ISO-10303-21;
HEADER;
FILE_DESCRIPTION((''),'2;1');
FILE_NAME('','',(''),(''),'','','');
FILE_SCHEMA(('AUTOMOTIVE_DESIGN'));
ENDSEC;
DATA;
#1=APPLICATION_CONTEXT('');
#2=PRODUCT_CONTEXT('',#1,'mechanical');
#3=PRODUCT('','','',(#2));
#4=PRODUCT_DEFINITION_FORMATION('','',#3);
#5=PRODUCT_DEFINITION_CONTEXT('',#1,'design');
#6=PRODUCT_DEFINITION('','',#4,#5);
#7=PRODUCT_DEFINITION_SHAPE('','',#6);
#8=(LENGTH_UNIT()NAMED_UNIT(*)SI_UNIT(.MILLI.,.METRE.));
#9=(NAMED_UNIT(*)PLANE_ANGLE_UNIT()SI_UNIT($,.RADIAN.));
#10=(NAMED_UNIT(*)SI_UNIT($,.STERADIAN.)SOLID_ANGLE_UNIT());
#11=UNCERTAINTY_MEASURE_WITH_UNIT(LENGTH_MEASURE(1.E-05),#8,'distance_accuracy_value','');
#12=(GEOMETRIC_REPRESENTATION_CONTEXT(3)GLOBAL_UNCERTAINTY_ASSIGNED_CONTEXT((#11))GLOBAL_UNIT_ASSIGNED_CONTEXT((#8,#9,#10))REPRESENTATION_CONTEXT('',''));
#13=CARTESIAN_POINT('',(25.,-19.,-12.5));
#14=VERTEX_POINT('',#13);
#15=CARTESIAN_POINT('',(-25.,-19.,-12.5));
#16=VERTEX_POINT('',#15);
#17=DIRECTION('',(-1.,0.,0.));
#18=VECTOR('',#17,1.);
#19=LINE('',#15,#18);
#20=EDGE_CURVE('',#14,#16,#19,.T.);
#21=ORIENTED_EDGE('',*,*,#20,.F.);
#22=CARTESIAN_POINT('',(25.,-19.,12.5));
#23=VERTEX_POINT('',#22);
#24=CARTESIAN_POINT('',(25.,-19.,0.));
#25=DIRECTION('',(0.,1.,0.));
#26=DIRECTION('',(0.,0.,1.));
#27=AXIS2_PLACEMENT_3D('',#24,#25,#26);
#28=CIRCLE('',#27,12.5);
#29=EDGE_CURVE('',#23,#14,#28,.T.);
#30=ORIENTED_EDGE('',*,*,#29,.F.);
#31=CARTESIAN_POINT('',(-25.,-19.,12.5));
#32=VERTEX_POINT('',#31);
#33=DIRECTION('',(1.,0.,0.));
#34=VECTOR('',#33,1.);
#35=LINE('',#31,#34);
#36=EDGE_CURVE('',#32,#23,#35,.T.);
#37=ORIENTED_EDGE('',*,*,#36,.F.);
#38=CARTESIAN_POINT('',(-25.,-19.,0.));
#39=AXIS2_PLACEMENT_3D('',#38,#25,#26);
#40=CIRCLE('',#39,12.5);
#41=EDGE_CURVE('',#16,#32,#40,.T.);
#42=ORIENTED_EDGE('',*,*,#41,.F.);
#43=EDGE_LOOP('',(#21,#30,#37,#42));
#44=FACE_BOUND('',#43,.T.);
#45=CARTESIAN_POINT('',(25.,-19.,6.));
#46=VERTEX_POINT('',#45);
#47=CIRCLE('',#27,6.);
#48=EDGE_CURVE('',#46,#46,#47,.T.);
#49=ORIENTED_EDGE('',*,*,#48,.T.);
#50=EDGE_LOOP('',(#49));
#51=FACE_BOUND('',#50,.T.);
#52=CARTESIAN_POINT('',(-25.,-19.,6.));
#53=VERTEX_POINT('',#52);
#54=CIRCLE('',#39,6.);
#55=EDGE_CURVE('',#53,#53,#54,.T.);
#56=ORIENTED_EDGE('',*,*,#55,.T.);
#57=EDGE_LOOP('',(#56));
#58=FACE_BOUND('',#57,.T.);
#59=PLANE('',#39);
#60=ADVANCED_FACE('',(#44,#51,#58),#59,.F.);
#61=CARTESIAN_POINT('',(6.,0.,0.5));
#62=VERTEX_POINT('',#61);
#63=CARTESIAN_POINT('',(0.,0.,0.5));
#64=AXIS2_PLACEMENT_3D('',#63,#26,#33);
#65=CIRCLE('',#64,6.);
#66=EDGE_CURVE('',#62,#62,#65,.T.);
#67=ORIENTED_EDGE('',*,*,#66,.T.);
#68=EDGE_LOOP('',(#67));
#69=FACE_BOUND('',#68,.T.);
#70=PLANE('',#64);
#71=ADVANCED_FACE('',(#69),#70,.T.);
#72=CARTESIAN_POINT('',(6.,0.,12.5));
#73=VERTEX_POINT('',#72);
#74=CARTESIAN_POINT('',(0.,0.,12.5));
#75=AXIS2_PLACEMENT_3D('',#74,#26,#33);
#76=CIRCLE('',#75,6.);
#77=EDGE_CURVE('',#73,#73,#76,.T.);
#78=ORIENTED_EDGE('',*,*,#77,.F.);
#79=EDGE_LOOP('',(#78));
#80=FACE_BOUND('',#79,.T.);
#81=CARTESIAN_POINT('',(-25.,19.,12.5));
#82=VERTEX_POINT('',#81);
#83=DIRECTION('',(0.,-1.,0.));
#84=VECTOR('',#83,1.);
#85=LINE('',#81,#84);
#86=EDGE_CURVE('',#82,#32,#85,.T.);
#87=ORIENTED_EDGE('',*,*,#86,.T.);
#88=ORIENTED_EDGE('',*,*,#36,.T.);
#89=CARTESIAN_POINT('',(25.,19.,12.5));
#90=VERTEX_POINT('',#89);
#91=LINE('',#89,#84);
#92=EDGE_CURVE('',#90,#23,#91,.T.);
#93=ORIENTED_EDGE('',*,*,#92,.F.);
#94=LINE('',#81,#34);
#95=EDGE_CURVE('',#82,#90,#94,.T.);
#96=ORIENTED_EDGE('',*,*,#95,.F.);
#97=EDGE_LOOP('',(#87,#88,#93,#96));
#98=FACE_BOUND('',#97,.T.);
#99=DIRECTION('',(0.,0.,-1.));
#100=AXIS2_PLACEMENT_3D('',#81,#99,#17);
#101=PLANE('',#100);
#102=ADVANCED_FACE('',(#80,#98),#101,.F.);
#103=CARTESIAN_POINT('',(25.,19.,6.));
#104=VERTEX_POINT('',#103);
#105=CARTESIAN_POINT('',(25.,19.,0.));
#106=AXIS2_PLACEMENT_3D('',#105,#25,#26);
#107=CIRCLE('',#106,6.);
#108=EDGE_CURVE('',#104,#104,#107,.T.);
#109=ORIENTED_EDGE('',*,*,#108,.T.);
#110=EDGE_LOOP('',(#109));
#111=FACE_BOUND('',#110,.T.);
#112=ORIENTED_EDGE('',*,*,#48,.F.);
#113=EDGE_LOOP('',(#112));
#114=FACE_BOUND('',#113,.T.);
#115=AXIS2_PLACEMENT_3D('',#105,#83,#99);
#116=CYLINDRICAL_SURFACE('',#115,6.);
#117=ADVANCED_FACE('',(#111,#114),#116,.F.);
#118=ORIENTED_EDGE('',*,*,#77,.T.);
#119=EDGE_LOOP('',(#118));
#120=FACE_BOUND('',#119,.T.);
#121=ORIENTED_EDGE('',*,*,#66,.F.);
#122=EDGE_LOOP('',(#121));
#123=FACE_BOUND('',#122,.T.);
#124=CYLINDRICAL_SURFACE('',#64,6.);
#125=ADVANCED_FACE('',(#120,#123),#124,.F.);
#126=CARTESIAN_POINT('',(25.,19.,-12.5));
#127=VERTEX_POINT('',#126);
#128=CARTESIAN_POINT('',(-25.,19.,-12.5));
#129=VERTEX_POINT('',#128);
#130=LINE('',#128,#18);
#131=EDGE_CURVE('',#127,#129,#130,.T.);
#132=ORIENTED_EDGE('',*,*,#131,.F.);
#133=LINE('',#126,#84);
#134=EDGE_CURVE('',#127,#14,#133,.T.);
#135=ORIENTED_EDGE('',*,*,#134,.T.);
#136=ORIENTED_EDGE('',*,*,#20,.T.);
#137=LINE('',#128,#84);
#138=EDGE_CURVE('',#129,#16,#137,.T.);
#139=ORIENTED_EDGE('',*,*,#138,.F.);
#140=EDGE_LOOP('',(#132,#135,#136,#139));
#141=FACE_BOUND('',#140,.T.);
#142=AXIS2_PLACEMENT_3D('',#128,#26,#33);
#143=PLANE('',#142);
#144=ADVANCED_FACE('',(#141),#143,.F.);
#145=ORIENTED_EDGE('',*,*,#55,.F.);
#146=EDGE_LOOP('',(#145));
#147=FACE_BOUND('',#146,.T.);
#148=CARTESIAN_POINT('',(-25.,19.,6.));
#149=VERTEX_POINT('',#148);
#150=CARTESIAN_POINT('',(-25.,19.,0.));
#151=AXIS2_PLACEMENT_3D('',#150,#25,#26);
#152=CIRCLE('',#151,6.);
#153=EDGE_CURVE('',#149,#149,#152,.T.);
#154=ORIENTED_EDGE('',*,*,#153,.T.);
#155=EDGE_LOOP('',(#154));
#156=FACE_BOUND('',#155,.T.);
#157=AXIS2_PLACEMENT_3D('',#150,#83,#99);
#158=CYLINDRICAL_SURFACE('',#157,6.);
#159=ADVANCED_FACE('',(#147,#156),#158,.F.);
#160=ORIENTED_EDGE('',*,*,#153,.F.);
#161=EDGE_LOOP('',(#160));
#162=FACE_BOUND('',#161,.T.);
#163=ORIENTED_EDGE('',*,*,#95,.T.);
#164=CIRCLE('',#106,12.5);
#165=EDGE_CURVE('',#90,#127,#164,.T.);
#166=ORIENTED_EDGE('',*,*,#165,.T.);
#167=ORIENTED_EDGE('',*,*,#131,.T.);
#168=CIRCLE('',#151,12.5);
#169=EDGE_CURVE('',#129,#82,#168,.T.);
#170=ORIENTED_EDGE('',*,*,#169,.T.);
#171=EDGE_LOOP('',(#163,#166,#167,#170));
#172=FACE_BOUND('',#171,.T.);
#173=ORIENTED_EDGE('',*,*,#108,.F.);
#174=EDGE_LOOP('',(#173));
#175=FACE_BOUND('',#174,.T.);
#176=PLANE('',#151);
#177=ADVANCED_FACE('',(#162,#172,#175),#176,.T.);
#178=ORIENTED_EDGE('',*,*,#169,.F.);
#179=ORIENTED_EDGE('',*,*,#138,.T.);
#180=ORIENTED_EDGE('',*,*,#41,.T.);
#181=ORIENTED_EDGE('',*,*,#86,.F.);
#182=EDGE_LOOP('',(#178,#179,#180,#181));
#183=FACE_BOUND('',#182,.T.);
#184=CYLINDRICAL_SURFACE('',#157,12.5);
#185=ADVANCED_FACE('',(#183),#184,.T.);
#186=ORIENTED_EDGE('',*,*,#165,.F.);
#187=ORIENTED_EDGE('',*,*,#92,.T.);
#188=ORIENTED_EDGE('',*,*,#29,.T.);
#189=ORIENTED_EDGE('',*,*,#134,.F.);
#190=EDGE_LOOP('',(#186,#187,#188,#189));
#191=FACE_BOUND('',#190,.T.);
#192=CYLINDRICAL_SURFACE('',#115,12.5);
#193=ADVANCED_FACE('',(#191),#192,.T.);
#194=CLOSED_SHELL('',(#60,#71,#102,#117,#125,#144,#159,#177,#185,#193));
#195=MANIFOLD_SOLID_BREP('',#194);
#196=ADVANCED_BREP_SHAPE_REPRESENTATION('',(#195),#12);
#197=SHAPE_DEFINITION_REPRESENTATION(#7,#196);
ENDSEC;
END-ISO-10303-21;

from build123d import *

# Parameters (mm, degrees)
SKETCH1_R           = 6
BOSS_EXTRUDE1_DEPTH = 19
SKETCH2_R           = 6
CUT_EXTRUDE1_DEPTH  = 12


with BuildPart() as part:
    # Sketch1 → Boss-Extrude1 (new, symmetric)
    with BuildSketch(Plane(origin=(0, 0, 0), x_dir=(1, 0, 0), z_dir=(0, 1, 0))):
        with BuildLine():
            Line((-25, 12.5), (25, 12.5))
            ThreePointArc((25, 12.5), (37.5, 0), (25, -12.5))
            Line((25, -12.5), (-25, -12.5))
            ThreePointArc((-25, -12.5), (-37.5, 0), (-25, 12.5))
        make_face()
        with Locations(Location((-25, 0, 0), (0, 0, 270))):
            Circle(SKETCH1_R, mode=Mode.SUBTRACT)
        with Locations(Location((25, 0, 0), (0, 0, 270))):
            Circle(SKETCH1_R, mode=Mode.SUBTRACT)
    extrude(amount=BOSS_EXTRUDE1_DEPTH, both=True)

    # Sketch2 → Cut-Extrude1 (cut)
    with BuildSketch(Plane.XY.offset(12.5)):
        Circle(SKETCH2_R)
    extrude(amount=-CUT_EXTRUDE1_DEPTH, mode=Mode.SUBTRACT)


solid = part.part
